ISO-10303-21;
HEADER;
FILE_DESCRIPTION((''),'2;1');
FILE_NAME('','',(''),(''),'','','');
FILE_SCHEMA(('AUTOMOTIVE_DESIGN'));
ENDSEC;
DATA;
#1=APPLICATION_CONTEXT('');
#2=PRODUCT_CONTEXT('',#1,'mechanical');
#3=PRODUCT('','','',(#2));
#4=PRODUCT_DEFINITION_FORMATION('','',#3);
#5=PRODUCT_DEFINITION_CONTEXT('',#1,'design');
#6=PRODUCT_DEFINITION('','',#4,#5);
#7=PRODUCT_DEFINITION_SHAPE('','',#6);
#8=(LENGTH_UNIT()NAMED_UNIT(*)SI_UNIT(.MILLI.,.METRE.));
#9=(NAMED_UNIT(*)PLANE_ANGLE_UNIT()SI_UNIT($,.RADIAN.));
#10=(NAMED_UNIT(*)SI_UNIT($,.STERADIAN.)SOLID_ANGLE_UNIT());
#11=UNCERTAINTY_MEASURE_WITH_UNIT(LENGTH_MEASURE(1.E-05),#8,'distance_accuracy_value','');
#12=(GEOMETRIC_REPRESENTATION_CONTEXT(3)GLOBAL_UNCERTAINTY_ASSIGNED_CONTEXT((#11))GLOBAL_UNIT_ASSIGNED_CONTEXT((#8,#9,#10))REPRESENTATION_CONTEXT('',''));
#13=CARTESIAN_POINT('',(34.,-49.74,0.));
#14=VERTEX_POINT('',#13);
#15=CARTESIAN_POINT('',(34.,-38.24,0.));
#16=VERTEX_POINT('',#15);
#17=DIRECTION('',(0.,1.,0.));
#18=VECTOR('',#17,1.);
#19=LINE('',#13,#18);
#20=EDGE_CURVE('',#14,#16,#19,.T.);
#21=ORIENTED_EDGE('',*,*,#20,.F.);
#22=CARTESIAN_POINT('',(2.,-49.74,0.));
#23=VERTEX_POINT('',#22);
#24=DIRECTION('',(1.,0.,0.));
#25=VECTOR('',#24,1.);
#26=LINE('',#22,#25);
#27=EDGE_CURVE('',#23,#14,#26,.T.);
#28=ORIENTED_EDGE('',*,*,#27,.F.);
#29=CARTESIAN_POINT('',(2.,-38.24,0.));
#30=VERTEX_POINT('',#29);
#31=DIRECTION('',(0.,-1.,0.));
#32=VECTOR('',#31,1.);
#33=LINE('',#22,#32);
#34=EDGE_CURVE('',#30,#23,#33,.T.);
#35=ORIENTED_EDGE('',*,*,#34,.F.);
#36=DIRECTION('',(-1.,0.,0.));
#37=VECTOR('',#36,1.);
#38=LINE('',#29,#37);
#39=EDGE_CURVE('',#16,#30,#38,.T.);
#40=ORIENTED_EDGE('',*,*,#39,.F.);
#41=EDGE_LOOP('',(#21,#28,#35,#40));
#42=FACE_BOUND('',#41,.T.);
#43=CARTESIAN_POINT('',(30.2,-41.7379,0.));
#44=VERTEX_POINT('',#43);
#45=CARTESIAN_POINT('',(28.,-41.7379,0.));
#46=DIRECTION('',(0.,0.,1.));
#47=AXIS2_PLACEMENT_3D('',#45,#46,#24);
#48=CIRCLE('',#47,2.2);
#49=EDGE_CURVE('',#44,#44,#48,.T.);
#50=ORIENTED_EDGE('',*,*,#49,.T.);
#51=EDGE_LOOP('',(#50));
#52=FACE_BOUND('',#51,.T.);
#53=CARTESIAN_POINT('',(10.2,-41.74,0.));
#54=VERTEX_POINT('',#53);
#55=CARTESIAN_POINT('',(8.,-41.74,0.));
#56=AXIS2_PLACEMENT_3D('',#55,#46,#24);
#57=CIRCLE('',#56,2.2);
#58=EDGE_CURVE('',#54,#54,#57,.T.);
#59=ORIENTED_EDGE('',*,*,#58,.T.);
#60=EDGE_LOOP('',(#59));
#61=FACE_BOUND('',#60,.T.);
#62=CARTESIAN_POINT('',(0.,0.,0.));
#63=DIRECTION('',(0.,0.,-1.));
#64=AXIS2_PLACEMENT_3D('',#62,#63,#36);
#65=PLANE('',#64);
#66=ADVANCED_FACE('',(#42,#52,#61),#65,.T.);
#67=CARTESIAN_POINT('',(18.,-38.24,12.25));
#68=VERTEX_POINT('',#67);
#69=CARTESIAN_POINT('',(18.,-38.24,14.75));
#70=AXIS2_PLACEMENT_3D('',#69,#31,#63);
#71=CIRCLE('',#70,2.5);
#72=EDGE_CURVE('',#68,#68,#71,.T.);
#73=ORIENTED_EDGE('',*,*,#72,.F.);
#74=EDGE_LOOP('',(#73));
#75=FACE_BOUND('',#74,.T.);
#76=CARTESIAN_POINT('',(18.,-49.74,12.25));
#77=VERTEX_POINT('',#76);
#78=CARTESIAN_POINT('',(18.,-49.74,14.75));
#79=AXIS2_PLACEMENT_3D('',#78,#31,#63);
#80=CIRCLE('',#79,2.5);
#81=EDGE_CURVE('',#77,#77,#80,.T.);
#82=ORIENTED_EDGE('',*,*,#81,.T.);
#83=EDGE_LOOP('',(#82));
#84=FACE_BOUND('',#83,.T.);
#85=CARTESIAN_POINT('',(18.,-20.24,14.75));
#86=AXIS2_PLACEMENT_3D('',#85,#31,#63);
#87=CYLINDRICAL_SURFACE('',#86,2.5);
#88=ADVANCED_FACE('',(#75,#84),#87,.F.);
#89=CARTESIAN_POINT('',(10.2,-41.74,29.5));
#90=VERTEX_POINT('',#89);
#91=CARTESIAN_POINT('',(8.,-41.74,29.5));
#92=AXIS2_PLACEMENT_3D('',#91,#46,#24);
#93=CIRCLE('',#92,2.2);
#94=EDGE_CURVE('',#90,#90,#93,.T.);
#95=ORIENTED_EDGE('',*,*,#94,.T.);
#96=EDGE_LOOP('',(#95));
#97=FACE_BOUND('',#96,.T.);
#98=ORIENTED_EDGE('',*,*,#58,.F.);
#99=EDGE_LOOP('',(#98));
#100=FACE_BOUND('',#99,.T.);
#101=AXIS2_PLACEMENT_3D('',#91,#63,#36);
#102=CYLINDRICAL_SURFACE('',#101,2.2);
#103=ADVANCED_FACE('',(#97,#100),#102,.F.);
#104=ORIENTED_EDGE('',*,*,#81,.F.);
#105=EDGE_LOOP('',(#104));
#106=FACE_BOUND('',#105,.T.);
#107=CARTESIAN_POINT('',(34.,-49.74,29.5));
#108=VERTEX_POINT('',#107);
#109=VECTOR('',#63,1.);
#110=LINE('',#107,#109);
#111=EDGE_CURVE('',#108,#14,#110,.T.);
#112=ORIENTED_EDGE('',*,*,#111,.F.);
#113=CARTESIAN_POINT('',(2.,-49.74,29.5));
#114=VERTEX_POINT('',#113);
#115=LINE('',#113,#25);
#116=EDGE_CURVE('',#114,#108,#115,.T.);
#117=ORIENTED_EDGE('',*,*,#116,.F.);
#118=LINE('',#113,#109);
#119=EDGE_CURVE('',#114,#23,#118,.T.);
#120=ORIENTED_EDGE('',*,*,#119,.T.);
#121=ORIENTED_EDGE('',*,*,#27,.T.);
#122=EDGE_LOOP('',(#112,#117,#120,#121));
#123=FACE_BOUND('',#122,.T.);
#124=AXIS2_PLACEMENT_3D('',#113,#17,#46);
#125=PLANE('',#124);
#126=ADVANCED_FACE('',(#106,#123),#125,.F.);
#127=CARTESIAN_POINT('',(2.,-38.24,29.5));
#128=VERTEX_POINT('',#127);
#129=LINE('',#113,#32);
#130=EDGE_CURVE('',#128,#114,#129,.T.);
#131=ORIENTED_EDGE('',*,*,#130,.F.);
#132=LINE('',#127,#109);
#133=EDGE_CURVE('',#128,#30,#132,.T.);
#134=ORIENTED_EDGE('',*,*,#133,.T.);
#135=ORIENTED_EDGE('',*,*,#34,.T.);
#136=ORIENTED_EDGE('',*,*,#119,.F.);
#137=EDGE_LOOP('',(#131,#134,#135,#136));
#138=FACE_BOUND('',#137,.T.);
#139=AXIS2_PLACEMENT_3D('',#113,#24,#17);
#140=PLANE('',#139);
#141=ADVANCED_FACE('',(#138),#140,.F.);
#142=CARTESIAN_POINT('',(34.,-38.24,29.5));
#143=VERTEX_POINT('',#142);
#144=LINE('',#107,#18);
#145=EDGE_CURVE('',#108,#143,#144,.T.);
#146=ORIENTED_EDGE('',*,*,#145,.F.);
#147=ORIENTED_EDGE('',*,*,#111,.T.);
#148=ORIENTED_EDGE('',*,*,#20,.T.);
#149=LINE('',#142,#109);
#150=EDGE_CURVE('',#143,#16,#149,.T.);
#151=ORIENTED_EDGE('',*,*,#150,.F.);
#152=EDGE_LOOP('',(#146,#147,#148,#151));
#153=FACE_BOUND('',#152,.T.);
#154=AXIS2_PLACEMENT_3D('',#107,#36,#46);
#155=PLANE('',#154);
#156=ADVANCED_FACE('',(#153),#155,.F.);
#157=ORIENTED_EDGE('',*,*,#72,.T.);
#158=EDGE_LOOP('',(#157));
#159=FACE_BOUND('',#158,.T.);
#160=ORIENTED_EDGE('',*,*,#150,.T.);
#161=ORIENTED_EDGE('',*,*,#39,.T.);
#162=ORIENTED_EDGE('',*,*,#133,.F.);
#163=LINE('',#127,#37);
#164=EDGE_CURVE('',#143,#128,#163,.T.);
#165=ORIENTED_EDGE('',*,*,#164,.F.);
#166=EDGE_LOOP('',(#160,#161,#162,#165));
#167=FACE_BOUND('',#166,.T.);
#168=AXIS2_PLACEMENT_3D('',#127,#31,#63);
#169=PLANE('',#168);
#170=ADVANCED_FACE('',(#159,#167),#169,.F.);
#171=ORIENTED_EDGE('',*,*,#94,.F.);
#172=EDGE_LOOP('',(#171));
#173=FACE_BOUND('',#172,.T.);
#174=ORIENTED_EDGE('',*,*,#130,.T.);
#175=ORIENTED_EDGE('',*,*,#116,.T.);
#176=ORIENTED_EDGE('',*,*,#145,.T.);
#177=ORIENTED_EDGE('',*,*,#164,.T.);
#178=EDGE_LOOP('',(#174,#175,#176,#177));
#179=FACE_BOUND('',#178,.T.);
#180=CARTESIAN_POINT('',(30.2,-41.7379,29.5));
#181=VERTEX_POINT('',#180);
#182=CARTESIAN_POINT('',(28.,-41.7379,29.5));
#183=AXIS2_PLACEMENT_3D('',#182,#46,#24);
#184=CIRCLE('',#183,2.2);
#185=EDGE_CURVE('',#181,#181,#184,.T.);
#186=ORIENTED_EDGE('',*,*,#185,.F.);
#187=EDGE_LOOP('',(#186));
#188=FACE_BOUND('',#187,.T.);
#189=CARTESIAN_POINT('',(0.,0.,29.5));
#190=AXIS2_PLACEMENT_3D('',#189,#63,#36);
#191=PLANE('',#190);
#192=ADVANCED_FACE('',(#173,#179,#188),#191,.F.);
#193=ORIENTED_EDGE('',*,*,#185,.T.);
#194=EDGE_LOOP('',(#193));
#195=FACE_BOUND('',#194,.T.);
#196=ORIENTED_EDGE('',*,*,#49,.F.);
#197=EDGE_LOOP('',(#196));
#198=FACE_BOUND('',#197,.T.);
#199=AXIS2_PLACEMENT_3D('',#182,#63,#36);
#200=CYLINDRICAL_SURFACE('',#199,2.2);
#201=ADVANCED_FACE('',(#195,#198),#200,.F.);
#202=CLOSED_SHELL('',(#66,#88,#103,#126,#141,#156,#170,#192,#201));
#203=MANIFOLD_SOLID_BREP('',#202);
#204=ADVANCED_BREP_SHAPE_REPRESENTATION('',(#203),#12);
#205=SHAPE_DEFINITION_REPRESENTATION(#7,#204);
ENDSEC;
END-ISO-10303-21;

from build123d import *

# Parameters (mm, degrees)
SKETCH_1_W          = 31.99999989
SKETCH_1_H          = 11.5
SKETCH_1_R          = 2.2
EXTRUDE_1_DEPTH     = 29.5
SKETCH_2_R          = 2.5
CUT_EXTRUDE_1_DEPTH = 29.5


with BuildPart() as part:
    # 草图1 → 凸台-拉伸1 (new body)
    with BuildSketch(Plane.XY):
        with Locations((17.999999945, -43.99)):
            Rectangle(SKETCH_1_W, SKETCH_1_H)
        with Locations((8, -41.74)):
            Circle(SKETCH_1_R, mode=Mode.SUBTRACT)
        with Locations((27.99999989, -41.737899898)):
            Circle(SKETCH_1_R, mode=Mode.SUBTRACT)
    extrude(amount=EXTRUDE_1_DEPTH)

    # 草图2 → 切除-拉伸1 (cut)
    with BuildSketch(Plane.XZ.offset(49.74)):
        with Locations(Location((17.999999945, 14.75, 0), (0, 0, 270))):
            Circle(SKETCH_2_R)
    extrude(amount=-CUT_EXTRUDE_1_DEPTH, mode=Mode.SUBTRACT)


solid = part.part
